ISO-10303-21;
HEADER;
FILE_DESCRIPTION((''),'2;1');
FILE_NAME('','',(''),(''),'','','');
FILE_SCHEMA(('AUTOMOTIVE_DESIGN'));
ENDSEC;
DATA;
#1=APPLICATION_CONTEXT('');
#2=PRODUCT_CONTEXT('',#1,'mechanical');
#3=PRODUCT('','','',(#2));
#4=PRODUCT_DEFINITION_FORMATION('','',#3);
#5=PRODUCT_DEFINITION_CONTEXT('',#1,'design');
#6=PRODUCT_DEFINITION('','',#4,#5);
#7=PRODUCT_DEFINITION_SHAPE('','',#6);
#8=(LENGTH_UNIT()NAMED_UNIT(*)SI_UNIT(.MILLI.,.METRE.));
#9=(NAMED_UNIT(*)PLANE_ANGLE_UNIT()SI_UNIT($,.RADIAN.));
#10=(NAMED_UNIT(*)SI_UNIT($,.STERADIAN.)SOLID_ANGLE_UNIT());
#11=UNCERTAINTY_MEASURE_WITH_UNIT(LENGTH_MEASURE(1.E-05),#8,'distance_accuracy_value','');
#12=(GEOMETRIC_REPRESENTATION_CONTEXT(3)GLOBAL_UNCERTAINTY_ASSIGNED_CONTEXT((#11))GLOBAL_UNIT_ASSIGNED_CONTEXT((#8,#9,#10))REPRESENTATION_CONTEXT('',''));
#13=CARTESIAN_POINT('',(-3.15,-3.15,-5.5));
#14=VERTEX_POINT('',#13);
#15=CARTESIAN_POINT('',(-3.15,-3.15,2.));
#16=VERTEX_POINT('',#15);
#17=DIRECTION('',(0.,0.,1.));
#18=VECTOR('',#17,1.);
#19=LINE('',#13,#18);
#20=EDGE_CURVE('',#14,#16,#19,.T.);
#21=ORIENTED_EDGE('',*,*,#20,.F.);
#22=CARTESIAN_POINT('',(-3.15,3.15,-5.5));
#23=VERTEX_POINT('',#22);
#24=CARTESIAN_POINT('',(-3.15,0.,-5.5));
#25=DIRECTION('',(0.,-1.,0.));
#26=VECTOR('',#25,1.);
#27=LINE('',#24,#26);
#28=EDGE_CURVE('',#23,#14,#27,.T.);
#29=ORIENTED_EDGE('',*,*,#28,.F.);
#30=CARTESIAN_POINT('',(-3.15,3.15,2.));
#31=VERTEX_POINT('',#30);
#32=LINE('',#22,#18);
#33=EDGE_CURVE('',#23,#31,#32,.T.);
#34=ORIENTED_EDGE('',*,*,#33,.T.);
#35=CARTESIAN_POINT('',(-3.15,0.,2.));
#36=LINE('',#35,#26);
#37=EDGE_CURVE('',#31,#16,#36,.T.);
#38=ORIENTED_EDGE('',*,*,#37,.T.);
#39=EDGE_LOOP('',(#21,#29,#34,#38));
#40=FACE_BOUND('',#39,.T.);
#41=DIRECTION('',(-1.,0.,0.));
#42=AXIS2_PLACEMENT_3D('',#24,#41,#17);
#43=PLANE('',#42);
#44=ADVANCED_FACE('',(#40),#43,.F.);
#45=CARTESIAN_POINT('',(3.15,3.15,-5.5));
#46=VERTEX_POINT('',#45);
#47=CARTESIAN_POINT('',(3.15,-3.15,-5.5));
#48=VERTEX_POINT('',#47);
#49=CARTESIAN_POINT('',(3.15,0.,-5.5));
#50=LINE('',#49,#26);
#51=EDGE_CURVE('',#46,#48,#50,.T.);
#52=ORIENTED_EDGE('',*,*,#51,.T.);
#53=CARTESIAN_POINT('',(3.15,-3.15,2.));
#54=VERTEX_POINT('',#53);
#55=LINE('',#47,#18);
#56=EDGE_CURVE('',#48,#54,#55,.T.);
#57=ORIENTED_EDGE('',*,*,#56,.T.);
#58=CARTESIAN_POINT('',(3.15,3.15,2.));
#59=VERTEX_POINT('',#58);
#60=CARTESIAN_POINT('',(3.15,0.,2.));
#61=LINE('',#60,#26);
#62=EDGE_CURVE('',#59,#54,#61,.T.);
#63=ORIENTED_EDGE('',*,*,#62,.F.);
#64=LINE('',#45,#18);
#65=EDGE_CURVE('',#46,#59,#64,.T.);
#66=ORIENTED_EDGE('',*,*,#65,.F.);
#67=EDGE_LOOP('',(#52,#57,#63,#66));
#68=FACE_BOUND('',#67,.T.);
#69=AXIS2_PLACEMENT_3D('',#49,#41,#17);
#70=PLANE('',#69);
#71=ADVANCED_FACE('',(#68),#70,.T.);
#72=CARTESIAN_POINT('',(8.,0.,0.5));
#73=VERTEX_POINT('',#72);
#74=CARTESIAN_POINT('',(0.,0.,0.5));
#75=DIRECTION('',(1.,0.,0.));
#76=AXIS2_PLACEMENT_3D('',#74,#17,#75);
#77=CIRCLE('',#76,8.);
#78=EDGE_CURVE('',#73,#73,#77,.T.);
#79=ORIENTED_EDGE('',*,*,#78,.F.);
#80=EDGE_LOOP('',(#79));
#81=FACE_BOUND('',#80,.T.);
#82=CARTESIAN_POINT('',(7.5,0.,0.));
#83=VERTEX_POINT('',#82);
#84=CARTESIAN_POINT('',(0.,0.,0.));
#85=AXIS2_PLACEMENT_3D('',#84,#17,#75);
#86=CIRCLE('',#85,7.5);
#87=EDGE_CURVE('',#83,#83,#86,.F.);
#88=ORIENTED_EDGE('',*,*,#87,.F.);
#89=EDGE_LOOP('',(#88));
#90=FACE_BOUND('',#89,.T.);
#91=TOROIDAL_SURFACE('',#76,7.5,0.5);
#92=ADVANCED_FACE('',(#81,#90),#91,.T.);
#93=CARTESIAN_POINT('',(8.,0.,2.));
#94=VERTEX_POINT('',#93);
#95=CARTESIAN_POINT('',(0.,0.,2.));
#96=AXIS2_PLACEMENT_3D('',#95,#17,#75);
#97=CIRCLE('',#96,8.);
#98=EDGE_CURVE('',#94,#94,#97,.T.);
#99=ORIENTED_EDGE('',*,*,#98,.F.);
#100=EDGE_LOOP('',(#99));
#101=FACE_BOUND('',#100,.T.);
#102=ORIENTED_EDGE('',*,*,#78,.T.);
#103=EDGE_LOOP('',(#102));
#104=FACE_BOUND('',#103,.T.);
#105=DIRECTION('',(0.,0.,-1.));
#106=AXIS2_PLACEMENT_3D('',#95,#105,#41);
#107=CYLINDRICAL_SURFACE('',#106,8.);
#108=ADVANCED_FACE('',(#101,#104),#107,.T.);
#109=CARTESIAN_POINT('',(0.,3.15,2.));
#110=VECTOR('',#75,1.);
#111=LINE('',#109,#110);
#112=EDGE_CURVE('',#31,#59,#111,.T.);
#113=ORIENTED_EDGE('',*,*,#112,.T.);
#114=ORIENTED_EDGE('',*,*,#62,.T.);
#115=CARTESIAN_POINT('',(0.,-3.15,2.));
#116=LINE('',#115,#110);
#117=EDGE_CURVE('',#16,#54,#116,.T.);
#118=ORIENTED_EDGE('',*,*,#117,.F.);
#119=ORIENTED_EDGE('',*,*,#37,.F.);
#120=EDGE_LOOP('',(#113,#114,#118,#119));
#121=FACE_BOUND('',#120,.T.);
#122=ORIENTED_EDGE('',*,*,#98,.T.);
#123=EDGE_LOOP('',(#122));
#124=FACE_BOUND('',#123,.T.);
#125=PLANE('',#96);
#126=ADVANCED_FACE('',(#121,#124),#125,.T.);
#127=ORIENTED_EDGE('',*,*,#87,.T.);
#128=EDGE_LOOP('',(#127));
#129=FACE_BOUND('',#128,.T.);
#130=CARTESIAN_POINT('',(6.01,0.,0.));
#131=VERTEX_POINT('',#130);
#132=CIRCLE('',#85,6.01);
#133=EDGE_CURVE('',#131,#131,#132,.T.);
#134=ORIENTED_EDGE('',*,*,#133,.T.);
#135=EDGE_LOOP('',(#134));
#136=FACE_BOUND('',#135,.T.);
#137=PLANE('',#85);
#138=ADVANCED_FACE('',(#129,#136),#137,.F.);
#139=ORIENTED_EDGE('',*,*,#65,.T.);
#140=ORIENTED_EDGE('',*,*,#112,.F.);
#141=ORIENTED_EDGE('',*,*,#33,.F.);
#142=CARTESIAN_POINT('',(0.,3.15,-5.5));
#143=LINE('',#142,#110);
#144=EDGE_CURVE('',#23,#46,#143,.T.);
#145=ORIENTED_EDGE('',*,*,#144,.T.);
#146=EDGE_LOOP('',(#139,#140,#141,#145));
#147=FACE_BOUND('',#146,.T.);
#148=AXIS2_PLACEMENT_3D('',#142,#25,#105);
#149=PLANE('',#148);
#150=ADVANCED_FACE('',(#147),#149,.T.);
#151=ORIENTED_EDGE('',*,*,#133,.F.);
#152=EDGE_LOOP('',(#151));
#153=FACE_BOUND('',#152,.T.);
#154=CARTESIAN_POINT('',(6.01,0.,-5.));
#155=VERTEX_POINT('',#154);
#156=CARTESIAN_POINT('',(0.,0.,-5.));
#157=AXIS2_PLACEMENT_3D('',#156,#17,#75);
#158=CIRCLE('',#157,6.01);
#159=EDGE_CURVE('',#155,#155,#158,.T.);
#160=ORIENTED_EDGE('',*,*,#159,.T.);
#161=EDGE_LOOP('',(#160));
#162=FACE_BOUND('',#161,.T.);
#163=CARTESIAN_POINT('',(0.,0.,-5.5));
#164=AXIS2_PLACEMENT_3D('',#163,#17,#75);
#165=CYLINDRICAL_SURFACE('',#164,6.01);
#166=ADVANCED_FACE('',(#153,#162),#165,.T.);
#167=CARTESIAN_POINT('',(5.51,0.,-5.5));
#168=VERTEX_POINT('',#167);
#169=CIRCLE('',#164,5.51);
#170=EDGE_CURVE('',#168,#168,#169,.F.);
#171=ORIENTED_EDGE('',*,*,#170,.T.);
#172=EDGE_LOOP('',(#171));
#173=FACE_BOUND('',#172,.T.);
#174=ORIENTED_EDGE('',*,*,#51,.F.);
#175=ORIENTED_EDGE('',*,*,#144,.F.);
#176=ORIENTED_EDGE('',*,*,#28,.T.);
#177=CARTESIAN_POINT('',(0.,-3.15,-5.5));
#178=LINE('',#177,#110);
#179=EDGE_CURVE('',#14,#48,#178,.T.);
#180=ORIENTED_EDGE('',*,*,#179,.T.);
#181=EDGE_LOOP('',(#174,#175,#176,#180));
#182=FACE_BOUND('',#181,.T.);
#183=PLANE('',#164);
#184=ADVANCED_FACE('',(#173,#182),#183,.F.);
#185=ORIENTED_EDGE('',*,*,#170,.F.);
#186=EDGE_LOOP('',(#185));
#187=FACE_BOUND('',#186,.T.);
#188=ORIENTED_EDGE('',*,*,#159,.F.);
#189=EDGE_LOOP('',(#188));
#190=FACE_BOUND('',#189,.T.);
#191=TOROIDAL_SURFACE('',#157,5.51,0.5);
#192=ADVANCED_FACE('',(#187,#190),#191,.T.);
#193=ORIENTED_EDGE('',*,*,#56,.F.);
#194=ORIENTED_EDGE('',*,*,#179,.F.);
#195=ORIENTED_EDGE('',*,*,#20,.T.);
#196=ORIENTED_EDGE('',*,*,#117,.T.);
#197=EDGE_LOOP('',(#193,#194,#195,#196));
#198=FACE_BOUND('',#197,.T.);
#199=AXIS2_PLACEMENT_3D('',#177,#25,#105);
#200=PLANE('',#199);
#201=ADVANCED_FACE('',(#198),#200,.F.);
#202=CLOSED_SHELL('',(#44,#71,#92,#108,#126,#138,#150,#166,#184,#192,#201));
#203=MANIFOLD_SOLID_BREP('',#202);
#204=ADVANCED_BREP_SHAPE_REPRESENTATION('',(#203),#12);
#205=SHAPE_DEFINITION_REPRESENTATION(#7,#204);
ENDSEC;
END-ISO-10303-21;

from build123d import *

# Parameters (mm, degrees)
SKETCH1_R           = 6.01
SKETCH1_W           = 6.3
SKETCH1_H           = 6.3
BOSS_EXTRUDE1_DEPTH = 5.5
SKETCH1_3_R         = 8
SKETCH1_3_W         = 6.3
SKETCH1_3_H         = 6.3
BOSS_EXTRUDE2_DEPTH = 2
FILLET1_R           = 0.5


with BuildPart() as part:
    # Sketch1 → Boss-Extrude1 (new body)
    with BuildSketch(Plane.XY):
        Circle(SKETCH1_R)
        Rectangle(SKETCH1_W, SKETCH1_H, mode=Mode.SUBTRACT)
    extrude(amount=-BOSS_EXTRUDE1_DEPTH)

    # Sketch1<3> → Boss-Extrude2 (add)
    with BuildSketch(Plane.XY):
        Circle(SKETCH1_3_R)
        Rectangle(SKETCH1_3_W, SKETCH1_3_H, mode=Mode.SUBTRACT)
    extrude(amount=BOSS_EXTRUDE2_DEPTH)

    # Fillet1
    fillet1_edges = [part.edges().sort_by_distance(p)[0] for p in [
        (-8, 0, 0),
        (-6.01, 0, -5.5),
    ]]
    fillet(fillet1_edges, radius=FILLET1_R)


solid = part.part
